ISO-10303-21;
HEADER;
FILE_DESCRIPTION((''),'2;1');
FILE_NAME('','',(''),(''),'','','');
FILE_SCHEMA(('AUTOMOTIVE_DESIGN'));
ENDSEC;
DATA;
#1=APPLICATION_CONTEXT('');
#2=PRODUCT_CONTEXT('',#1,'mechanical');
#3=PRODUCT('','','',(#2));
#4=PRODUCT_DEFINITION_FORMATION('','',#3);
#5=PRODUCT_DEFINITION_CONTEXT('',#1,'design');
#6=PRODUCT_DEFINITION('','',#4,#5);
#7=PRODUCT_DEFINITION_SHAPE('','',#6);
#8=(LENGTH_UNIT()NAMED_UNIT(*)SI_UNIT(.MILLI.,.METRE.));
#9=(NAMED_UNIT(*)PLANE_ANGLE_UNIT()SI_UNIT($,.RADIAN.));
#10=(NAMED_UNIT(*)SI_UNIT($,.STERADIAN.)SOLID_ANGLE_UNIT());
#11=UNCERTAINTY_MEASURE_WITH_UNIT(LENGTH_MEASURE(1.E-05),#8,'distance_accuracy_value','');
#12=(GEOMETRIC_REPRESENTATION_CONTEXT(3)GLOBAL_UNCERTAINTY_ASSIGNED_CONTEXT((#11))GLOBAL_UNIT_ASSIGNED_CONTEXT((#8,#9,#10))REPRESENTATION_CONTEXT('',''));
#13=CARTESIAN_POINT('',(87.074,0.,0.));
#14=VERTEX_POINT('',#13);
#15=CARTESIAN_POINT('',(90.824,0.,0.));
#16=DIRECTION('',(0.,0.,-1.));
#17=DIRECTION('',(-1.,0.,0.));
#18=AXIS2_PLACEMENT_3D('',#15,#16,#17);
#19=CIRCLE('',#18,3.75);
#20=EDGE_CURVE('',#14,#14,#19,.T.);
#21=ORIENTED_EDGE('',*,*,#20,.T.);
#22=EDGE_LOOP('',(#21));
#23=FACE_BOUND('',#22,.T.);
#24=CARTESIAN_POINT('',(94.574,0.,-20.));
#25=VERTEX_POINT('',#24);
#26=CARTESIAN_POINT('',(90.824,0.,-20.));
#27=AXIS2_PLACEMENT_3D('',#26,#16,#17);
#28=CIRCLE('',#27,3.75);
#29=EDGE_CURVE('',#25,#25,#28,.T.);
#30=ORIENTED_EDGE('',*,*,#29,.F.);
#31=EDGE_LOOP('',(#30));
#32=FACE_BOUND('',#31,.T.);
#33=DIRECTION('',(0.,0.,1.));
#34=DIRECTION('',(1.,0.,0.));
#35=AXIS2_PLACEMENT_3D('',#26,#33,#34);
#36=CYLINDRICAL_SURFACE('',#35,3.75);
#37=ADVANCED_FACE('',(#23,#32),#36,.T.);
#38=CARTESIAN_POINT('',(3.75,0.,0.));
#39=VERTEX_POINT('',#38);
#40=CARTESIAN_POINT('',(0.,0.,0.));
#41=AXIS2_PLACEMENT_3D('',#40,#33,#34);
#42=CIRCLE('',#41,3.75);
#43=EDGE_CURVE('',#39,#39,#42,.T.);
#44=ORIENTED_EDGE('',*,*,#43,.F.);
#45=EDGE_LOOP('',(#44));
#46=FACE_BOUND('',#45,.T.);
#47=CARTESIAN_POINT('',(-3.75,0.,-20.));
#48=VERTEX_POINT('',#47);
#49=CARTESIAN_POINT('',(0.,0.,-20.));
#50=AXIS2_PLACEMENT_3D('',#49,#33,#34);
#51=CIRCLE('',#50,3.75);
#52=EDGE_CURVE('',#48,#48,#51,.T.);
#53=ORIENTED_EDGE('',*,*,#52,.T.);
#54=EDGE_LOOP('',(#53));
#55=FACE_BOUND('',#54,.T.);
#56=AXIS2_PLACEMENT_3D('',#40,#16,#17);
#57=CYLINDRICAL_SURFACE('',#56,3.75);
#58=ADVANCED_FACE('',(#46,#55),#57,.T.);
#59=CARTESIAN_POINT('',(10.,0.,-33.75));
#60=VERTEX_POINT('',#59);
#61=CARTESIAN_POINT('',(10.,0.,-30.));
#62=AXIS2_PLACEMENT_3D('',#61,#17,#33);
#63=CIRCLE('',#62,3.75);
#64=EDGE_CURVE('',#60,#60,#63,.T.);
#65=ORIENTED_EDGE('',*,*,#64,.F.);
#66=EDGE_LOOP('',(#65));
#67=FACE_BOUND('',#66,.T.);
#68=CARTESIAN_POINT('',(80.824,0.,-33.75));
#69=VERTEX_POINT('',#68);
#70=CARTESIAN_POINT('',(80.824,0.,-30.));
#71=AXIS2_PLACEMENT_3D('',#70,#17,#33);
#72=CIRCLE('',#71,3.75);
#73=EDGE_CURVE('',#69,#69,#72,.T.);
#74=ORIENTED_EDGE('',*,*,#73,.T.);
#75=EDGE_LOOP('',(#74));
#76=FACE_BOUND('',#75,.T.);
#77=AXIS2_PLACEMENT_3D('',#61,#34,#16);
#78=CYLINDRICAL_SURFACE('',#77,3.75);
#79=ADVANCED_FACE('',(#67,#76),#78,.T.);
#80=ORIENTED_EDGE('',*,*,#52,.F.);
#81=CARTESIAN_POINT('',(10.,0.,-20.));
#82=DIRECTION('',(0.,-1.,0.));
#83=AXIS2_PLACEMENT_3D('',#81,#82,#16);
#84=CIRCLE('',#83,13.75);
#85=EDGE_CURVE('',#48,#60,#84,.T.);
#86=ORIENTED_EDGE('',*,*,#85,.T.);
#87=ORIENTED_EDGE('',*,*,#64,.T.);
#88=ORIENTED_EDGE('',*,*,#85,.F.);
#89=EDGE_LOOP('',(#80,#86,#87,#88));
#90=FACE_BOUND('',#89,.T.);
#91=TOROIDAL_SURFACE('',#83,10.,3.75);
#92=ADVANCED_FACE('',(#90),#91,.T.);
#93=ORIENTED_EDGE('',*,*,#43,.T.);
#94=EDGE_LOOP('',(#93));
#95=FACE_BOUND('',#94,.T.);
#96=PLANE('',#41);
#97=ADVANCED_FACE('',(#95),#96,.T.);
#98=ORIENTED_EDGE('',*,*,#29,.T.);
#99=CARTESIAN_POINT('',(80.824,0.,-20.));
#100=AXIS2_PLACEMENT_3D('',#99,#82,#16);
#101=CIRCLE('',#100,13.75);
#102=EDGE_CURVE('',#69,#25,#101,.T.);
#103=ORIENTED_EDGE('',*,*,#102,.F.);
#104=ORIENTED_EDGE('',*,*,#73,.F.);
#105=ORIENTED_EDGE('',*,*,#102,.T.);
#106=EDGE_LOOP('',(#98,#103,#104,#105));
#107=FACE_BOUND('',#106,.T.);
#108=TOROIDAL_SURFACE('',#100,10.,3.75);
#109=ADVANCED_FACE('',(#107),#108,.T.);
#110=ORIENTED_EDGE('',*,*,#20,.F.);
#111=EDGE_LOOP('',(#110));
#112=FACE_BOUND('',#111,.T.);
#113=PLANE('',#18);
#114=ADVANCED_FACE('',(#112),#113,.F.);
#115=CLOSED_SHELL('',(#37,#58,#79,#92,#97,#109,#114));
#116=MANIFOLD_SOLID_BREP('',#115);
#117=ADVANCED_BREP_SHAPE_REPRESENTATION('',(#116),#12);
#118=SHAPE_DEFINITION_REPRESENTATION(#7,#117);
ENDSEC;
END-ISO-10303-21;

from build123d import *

# Parameters (mm, degrees)
CROQUIS2_R = 3.75


with BuildPart() as part:
    # Barrer1: sweep along a path in Croquis1
    with BuildLine(Plane(origin=(0, 0, 0), x_dir=(1, 0, 0), z_dir=(0, 1, 0))) as barrer1_path:
        Line((0, 0), (0, 20))
        ThreePointArc((0, 20), (2.928932188, 27.071067812), (10, 30))
        Line((10, 30), (80.824, 30))
        ThreePointArc((80.824, 30), (87.895067812, 27.071067812), (90.824, 20))
        Line((90.824, 20), (90.824, 0))
    # Croquis2 → Barrer1 (sweep)
    with BuildSketch(Plane.XY):
        Circle(CROQUIS2_R)
    sweep(path=barrer1_path.line)


solid = part.part
